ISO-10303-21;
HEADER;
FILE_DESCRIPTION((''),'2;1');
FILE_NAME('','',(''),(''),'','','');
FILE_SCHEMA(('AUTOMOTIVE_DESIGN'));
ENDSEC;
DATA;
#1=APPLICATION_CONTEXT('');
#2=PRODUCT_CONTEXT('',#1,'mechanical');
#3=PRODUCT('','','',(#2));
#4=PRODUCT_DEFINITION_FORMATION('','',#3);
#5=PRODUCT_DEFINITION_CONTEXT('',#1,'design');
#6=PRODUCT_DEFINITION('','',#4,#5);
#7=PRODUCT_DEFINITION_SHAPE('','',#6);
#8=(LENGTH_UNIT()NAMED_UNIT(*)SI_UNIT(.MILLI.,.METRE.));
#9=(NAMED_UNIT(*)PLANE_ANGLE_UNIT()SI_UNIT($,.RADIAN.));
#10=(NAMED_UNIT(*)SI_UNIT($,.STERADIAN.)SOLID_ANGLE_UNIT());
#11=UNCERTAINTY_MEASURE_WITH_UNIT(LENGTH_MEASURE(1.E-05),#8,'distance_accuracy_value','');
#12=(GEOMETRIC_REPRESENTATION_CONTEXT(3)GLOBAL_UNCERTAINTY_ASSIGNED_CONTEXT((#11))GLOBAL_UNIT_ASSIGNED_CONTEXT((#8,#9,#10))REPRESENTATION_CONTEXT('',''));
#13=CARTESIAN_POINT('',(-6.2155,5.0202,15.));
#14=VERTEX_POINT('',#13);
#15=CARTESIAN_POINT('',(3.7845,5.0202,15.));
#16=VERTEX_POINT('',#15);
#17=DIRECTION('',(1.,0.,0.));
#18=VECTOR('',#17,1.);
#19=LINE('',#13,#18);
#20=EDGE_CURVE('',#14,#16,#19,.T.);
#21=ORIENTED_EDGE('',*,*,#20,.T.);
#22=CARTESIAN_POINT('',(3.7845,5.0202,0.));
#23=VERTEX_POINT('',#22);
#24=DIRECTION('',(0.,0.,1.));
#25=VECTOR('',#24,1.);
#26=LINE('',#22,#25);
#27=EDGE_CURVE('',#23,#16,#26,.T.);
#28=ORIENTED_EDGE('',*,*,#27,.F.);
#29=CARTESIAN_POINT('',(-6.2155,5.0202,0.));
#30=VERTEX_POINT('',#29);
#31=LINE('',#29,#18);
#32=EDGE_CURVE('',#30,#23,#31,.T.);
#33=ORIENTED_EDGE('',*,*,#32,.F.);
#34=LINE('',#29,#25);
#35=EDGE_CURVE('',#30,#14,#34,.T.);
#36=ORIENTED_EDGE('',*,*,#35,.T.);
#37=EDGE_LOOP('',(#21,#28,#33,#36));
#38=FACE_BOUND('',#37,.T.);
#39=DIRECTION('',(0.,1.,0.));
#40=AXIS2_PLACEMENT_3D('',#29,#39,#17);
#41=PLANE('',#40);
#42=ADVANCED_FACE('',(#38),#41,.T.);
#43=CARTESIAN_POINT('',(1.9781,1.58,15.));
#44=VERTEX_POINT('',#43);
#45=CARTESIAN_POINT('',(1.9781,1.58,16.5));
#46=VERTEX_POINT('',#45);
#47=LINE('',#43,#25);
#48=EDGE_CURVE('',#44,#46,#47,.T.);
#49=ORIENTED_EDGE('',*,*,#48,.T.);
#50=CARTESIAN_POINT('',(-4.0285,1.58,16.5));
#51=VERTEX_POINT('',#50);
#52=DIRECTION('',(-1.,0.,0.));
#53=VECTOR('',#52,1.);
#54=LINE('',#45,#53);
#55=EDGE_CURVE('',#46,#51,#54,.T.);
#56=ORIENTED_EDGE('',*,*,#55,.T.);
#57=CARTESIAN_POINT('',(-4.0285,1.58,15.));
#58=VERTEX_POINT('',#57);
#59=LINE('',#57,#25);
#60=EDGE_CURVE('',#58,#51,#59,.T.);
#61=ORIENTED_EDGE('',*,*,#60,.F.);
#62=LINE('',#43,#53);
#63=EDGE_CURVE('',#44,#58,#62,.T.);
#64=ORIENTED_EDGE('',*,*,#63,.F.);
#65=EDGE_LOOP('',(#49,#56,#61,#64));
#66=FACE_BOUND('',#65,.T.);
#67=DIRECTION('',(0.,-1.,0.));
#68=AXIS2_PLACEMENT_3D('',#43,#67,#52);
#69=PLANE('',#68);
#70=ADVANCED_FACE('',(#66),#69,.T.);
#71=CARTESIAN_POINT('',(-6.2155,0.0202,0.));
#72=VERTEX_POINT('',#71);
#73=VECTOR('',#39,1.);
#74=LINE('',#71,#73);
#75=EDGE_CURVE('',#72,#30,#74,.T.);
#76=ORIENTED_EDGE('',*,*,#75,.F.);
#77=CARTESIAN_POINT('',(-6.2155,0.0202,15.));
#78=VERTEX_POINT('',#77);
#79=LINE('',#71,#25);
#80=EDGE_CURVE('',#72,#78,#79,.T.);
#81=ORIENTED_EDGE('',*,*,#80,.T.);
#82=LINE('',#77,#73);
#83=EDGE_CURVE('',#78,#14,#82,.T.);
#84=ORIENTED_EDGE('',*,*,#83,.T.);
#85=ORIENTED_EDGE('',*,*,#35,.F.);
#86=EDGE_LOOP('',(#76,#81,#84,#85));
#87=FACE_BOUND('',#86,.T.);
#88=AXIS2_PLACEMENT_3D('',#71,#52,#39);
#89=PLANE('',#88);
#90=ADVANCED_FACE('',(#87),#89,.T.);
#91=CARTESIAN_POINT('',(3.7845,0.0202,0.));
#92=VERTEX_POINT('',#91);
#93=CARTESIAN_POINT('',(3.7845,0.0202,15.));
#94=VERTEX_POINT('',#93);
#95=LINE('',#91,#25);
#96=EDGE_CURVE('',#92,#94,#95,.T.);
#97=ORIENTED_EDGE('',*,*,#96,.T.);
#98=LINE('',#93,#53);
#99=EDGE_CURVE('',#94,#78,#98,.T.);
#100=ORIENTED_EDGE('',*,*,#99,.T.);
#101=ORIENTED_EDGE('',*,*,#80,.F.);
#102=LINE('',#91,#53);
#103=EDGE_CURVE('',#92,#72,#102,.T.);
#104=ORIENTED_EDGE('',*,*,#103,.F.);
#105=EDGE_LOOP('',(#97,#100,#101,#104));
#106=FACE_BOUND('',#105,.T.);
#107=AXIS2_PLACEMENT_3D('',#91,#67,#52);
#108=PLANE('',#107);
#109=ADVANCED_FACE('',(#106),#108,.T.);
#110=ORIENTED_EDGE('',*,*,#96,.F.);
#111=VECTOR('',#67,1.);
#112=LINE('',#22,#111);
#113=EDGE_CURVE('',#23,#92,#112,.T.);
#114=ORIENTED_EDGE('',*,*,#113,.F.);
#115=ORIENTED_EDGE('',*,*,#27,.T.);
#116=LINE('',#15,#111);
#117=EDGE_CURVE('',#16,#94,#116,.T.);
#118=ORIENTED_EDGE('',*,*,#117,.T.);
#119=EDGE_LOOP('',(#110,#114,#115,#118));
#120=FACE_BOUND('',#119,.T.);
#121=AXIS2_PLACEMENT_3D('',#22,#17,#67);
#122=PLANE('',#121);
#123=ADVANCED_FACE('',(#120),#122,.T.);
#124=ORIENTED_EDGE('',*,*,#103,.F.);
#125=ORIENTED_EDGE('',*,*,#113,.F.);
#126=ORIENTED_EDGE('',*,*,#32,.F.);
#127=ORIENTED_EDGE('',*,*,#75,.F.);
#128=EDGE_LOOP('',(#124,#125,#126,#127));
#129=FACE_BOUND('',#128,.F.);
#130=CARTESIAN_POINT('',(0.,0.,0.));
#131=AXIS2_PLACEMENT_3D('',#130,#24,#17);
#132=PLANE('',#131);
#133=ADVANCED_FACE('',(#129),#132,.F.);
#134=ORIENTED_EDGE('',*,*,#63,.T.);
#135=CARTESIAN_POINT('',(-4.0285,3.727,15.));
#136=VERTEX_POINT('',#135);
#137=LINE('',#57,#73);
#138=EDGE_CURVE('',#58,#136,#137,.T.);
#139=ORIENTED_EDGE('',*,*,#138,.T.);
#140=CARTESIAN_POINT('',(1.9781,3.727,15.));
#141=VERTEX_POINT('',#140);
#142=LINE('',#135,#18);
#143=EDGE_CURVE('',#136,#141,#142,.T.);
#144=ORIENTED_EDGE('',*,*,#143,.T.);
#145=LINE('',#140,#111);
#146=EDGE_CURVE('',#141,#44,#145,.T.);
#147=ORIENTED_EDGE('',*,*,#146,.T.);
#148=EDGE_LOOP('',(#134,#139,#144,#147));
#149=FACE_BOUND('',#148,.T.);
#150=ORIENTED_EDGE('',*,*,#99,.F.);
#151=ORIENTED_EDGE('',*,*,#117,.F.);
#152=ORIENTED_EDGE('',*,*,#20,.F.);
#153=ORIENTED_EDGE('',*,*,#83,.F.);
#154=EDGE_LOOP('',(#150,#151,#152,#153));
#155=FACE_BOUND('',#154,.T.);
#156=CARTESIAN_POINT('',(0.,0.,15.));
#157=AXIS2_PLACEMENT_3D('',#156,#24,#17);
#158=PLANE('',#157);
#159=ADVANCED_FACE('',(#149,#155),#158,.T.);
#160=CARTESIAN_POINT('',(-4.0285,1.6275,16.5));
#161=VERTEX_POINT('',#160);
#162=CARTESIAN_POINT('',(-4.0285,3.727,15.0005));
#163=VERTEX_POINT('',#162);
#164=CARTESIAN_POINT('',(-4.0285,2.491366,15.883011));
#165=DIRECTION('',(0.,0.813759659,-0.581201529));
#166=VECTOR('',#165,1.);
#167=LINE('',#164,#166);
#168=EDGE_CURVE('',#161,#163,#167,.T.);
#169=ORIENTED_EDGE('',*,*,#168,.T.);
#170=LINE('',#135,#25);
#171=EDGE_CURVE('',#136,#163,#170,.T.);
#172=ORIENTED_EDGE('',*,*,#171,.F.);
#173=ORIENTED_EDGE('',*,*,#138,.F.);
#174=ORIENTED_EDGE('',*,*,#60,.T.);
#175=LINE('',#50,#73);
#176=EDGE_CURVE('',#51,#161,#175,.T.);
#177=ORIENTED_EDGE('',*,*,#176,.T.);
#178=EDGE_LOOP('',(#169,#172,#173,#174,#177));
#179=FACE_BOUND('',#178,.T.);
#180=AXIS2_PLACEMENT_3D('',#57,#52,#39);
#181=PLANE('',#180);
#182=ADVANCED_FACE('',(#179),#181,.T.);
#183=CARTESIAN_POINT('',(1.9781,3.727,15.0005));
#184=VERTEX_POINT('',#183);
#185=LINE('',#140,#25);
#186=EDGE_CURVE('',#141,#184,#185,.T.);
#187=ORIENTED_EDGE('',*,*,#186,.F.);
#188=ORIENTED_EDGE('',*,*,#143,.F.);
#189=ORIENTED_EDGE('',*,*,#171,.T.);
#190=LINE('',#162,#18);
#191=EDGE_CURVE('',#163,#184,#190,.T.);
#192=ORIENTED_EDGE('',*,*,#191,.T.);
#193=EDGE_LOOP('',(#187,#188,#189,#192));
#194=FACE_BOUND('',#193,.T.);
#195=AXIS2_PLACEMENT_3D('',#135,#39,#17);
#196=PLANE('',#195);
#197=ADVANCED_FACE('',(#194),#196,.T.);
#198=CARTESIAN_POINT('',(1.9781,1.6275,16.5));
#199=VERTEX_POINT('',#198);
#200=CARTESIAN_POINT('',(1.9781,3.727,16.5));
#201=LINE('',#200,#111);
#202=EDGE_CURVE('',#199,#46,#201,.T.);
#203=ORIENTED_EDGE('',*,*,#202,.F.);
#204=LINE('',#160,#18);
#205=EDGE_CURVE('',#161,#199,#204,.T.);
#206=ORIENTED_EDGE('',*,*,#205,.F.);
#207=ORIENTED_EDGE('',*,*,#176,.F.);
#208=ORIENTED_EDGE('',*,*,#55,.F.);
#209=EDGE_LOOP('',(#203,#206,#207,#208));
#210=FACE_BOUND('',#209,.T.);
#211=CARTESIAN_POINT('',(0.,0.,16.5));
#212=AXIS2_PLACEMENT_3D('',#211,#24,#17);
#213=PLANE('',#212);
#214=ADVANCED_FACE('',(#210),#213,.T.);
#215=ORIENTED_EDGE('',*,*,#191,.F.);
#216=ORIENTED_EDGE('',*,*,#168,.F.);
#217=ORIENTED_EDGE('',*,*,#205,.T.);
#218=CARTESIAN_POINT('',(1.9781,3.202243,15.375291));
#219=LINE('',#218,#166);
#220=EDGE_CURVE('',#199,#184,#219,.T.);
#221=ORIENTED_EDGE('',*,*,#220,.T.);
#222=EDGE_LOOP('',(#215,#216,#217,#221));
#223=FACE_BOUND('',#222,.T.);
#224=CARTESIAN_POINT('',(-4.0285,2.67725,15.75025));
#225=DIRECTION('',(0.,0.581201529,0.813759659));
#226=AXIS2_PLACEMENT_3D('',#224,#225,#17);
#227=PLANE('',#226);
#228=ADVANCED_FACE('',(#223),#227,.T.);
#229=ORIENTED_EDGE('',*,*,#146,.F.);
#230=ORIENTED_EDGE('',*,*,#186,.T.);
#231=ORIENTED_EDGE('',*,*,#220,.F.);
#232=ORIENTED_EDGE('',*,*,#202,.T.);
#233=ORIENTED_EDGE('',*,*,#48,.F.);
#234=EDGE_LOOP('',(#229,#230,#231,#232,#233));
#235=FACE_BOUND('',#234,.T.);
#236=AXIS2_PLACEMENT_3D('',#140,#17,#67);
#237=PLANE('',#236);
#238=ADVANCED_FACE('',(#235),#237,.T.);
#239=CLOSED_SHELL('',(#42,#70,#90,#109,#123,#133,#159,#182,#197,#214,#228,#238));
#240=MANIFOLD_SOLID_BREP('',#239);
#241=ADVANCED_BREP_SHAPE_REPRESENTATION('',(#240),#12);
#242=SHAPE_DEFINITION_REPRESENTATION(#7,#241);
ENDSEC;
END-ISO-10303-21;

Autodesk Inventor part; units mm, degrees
ref_plane "YZ Plane" through (0, 0, 0) normal (1, 0, 0) x (0, 1, 0)
ref_plane "XZ Plane" through (0, 0, 0) normal (0, 1, 0) x (-1, 0, 0)
ref_plane "XY Plane" through (0, 0, 0) normal (0, 0, 1) x (1, 0, 0)
sketch "Sketch1" plane through (0, 0, 0) normal (0, 0, 1) x (1, 0, 0)
  line L0 (-6.2155, 5.0202) -> (3.7845, 5.0202)
  line L1 (3.7845, 5.0202) -> (3.7845, 0.0202)
  line L2 (3.7845, 0.0202) -> (-6.2155, 0.0202)
  line L3 (-6.2155, 0.0202) -> (-6.2155, 5.0202)
  point P0 (0, 0)
  dimension "d0" = 10
  dimension "d1" = 5
extrude "Extrusion1" add sketch "Sketch1" along normal blind 15
sketch "Sketch2" plane through (0, 0, 15) normal (0, 0, 1) x (1, 0, 0)
  line L0 (-4.0285, 3.727) -> (1.9781, 3.727)
  line L1 (1.9781, 3.727) -> (1.9781, 1.58)
  line L2 (1.9781, 1.58) -> (-4.0285, 1.58)
  line L3 (-4.0285, 1.58) -> (-4.0285, 3.727)
  point P0 (0, 0)
extrude "Extrusion2" add sketch "Sketch2" along normal blind 1.5
chamfer "Chamfer1" distance 2.1 distance2 1.5 1 edges at (-1.0252, 3.727, 16.5) measured on face at (-2.0263, 3.0113, 16.5)
properties part number "cutter grp 17-1"
